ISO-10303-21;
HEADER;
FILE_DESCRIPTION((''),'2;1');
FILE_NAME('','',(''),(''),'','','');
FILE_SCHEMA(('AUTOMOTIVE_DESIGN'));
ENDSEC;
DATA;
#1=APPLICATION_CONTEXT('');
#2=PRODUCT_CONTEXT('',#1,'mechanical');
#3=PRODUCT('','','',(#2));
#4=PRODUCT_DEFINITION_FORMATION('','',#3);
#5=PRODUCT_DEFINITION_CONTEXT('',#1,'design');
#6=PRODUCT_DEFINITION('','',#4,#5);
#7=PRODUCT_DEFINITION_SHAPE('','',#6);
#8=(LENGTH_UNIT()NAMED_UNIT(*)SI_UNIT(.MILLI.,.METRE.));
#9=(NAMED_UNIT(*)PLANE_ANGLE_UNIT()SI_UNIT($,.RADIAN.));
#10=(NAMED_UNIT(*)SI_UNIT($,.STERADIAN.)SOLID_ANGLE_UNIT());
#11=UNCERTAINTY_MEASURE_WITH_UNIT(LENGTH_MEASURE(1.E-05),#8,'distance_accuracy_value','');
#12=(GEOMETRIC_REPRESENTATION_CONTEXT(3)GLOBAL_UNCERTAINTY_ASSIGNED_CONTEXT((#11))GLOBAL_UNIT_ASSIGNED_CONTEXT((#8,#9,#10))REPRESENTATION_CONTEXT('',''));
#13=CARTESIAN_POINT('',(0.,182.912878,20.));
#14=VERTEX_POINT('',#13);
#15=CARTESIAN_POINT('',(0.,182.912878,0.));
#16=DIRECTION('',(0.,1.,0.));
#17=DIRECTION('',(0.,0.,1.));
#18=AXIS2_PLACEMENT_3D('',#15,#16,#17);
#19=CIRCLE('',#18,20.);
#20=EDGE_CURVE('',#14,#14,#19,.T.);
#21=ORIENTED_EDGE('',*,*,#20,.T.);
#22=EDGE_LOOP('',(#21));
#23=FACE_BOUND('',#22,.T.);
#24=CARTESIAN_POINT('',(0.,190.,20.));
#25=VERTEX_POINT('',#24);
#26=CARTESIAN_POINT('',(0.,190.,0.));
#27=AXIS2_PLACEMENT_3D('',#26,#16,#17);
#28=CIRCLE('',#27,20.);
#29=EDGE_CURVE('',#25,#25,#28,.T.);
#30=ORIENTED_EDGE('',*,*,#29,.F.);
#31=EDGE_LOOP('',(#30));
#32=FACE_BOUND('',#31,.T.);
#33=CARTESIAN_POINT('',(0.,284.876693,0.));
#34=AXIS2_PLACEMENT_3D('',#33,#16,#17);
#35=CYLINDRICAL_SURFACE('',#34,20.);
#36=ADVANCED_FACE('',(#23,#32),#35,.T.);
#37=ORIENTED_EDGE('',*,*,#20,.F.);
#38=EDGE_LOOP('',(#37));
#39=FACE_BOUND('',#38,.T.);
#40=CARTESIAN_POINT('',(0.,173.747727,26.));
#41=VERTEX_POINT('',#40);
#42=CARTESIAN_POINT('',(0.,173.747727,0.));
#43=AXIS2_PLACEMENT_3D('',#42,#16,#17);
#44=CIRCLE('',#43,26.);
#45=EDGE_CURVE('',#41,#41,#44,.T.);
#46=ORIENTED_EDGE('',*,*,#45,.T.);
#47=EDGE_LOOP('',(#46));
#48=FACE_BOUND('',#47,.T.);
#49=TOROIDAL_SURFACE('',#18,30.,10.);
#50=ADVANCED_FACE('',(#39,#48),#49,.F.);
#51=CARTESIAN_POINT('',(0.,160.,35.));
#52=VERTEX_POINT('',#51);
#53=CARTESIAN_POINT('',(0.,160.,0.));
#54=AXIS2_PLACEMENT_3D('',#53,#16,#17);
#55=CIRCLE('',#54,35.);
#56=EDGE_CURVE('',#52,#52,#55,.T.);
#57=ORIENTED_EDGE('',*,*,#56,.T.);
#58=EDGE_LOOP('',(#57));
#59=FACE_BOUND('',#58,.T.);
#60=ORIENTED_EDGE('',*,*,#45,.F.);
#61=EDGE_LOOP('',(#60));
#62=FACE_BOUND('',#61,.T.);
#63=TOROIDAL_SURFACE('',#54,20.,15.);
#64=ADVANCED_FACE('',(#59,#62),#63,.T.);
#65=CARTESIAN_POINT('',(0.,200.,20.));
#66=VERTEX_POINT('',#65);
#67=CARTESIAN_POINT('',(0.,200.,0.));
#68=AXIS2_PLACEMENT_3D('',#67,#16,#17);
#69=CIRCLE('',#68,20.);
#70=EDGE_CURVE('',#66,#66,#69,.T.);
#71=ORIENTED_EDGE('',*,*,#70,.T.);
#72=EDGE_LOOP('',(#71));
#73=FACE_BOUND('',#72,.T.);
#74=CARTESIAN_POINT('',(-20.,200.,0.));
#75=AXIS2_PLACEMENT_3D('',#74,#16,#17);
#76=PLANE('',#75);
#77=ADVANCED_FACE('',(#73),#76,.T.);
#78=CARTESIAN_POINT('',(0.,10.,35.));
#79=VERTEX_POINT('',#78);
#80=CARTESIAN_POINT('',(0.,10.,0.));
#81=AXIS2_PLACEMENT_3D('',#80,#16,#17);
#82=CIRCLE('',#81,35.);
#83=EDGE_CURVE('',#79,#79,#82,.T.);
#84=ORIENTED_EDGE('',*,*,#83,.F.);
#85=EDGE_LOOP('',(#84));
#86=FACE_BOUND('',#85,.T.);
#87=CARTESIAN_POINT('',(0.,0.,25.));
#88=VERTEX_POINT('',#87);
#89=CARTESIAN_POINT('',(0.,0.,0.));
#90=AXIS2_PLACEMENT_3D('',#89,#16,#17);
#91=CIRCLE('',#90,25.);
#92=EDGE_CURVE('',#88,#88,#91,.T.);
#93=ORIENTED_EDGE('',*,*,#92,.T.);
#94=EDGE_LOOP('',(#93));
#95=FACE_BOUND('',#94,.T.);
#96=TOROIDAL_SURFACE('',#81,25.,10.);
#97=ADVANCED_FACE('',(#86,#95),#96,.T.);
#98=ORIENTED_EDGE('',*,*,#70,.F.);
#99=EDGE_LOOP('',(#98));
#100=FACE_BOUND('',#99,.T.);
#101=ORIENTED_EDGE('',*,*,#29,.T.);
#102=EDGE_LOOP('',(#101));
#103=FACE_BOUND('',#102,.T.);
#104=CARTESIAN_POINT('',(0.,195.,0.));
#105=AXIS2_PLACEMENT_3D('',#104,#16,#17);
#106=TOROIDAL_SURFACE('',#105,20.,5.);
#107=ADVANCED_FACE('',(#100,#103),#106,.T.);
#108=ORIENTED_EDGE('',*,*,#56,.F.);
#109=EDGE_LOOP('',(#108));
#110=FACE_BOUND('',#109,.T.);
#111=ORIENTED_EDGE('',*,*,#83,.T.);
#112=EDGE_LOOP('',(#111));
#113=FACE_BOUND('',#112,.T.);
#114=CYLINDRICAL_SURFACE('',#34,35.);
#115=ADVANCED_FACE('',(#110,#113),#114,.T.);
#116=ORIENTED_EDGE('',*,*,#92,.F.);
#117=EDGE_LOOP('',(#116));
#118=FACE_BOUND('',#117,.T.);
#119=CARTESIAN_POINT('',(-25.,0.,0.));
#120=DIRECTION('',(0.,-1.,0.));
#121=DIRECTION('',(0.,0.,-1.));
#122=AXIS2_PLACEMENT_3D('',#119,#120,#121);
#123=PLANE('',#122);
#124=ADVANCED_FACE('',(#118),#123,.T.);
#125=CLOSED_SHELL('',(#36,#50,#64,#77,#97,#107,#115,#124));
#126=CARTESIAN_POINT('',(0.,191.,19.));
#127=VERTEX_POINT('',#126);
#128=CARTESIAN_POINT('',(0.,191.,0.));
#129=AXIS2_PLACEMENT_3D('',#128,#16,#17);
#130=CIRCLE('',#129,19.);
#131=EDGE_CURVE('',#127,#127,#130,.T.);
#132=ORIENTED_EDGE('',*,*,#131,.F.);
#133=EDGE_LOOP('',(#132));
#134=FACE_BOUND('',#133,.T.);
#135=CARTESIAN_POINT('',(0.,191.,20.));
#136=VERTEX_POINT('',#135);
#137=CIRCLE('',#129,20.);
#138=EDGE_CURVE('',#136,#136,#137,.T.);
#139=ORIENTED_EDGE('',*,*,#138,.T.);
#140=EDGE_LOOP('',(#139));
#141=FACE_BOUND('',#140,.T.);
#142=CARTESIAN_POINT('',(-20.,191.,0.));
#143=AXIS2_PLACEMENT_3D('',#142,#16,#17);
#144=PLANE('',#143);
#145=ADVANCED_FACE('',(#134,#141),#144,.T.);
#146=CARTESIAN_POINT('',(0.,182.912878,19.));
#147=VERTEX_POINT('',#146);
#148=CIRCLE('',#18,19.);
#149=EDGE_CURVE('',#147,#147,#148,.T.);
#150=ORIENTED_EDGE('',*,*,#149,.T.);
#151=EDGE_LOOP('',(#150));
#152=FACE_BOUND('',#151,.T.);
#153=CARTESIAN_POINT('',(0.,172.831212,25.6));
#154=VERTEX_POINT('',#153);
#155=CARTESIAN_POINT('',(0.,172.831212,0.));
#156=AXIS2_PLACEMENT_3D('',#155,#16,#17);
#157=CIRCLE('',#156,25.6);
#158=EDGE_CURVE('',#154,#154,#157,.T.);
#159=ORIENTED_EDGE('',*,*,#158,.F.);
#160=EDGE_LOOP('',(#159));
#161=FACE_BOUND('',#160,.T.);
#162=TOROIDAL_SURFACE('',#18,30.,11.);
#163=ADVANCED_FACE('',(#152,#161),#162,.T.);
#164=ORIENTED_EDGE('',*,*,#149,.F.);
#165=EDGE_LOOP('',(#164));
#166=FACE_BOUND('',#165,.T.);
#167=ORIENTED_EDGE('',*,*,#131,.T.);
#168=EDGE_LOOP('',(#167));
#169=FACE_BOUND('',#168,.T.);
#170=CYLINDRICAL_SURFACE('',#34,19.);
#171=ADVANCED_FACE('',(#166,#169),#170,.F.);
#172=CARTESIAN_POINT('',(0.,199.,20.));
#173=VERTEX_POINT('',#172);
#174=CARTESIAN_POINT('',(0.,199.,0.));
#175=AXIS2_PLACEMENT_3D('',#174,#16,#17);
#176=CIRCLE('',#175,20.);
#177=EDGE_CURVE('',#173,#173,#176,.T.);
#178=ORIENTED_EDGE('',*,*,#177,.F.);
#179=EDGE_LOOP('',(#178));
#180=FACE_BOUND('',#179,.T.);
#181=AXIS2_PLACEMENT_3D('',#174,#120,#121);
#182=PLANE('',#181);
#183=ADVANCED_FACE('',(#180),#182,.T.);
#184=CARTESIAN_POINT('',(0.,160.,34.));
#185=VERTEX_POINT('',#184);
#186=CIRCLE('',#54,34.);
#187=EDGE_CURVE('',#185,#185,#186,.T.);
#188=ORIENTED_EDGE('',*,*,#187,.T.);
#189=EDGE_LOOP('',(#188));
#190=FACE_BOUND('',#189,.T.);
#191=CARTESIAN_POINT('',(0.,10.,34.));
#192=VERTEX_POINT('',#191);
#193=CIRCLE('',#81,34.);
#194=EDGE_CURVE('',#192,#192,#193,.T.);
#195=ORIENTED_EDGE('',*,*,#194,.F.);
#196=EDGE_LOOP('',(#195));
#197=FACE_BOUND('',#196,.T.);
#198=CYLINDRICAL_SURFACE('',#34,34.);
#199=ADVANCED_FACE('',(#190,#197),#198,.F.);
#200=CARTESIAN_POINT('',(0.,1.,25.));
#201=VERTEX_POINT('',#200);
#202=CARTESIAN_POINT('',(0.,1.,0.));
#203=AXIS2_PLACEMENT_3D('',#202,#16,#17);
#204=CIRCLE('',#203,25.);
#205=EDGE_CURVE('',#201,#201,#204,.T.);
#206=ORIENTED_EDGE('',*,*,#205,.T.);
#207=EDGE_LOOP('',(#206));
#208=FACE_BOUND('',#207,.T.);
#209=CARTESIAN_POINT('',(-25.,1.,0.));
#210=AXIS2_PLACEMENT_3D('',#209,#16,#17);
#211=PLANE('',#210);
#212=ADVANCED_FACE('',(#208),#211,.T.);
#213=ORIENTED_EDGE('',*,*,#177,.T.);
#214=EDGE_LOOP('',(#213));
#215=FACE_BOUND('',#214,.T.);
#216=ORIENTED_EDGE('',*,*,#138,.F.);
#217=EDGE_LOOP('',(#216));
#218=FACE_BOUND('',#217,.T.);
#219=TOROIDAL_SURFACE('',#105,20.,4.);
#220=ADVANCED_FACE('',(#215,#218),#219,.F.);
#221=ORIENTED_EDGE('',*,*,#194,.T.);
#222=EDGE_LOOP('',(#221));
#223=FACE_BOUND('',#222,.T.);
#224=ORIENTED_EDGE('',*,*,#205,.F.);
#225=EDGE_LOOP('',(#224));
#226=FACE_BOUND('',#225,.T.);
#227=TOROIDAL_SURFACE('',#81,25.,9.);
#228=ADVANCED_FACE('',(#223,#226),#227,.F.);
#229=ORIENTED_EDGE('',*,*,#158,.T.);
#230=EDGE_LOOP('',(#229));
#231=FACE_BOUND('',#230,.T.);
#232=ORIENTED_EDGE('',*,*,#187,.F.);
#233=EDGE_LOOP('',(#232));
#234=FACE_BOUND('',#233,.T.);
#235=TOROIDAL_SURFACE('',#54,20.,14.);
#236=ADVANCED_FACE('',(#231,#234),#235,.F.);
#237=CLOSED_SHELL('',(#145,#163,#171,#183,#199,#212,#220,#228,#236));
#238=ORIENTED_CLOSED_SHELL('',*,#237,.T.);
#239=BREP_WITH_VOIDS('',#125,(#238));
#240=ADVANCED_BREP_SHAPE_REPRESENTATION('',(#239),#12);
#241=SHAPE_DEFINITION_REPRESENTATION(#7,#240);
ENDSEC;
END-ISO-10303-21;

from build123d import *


with BuildPart() as part:
    # Sketch1 → Revolve2 (revolve)
    with BuildSketch(Plane.XY):
        with BuildLine():
            Line((-35, 10), (-35, 160))
            ThreePointArc((-35, 160), (-32.549900398, 168.215838363), (-26, 173.747727085))
            ThreePointArc((-26, 173.747727085), (-21.633399735, 177.4356529), (-20, 182.912878475))
            Line((-20, 182.912878475), (-20, 190))
            ThreePointArc((-20, 190), (-25, 195), (-20, 200))
            Line((-20, 200), (0, 200))
            Line((0, 200), (0, 199))
            Line((0, 199), (-20, 199))
            ThreePointArc((-20, 199), (-24, 195), (-20, 191))
            Line((-20, 191), (-19, 191))
            Line((-19, 191), (-19, 182.912878475))
            ThreePointArc((-19, 182.912878475), (-20.796739708, 176.887930342), (-25.6, 172.831211946))
            ThreePointArc((-25.6, 172.831211946), (-31.713240371, 167.668115805), (-34, 160))
            Line((-34, 160), (-34, 10))
            ThreePointArc((-34, 10), (-31.363961031, 3.636038969), (-25, 1))
            Line((-25, 1), (0, 1))
            Line((0, 1), (0, 0))
            Line((0, 0), (-25, 0))
            ThreePointArc((-25, 0), (-32.071067812, 2.928932188), (-35, 10))
        make_face()
    revolve(axis=Axis((0, 284.87669348, 0), (0, -1, 0)))


solid = part.part
